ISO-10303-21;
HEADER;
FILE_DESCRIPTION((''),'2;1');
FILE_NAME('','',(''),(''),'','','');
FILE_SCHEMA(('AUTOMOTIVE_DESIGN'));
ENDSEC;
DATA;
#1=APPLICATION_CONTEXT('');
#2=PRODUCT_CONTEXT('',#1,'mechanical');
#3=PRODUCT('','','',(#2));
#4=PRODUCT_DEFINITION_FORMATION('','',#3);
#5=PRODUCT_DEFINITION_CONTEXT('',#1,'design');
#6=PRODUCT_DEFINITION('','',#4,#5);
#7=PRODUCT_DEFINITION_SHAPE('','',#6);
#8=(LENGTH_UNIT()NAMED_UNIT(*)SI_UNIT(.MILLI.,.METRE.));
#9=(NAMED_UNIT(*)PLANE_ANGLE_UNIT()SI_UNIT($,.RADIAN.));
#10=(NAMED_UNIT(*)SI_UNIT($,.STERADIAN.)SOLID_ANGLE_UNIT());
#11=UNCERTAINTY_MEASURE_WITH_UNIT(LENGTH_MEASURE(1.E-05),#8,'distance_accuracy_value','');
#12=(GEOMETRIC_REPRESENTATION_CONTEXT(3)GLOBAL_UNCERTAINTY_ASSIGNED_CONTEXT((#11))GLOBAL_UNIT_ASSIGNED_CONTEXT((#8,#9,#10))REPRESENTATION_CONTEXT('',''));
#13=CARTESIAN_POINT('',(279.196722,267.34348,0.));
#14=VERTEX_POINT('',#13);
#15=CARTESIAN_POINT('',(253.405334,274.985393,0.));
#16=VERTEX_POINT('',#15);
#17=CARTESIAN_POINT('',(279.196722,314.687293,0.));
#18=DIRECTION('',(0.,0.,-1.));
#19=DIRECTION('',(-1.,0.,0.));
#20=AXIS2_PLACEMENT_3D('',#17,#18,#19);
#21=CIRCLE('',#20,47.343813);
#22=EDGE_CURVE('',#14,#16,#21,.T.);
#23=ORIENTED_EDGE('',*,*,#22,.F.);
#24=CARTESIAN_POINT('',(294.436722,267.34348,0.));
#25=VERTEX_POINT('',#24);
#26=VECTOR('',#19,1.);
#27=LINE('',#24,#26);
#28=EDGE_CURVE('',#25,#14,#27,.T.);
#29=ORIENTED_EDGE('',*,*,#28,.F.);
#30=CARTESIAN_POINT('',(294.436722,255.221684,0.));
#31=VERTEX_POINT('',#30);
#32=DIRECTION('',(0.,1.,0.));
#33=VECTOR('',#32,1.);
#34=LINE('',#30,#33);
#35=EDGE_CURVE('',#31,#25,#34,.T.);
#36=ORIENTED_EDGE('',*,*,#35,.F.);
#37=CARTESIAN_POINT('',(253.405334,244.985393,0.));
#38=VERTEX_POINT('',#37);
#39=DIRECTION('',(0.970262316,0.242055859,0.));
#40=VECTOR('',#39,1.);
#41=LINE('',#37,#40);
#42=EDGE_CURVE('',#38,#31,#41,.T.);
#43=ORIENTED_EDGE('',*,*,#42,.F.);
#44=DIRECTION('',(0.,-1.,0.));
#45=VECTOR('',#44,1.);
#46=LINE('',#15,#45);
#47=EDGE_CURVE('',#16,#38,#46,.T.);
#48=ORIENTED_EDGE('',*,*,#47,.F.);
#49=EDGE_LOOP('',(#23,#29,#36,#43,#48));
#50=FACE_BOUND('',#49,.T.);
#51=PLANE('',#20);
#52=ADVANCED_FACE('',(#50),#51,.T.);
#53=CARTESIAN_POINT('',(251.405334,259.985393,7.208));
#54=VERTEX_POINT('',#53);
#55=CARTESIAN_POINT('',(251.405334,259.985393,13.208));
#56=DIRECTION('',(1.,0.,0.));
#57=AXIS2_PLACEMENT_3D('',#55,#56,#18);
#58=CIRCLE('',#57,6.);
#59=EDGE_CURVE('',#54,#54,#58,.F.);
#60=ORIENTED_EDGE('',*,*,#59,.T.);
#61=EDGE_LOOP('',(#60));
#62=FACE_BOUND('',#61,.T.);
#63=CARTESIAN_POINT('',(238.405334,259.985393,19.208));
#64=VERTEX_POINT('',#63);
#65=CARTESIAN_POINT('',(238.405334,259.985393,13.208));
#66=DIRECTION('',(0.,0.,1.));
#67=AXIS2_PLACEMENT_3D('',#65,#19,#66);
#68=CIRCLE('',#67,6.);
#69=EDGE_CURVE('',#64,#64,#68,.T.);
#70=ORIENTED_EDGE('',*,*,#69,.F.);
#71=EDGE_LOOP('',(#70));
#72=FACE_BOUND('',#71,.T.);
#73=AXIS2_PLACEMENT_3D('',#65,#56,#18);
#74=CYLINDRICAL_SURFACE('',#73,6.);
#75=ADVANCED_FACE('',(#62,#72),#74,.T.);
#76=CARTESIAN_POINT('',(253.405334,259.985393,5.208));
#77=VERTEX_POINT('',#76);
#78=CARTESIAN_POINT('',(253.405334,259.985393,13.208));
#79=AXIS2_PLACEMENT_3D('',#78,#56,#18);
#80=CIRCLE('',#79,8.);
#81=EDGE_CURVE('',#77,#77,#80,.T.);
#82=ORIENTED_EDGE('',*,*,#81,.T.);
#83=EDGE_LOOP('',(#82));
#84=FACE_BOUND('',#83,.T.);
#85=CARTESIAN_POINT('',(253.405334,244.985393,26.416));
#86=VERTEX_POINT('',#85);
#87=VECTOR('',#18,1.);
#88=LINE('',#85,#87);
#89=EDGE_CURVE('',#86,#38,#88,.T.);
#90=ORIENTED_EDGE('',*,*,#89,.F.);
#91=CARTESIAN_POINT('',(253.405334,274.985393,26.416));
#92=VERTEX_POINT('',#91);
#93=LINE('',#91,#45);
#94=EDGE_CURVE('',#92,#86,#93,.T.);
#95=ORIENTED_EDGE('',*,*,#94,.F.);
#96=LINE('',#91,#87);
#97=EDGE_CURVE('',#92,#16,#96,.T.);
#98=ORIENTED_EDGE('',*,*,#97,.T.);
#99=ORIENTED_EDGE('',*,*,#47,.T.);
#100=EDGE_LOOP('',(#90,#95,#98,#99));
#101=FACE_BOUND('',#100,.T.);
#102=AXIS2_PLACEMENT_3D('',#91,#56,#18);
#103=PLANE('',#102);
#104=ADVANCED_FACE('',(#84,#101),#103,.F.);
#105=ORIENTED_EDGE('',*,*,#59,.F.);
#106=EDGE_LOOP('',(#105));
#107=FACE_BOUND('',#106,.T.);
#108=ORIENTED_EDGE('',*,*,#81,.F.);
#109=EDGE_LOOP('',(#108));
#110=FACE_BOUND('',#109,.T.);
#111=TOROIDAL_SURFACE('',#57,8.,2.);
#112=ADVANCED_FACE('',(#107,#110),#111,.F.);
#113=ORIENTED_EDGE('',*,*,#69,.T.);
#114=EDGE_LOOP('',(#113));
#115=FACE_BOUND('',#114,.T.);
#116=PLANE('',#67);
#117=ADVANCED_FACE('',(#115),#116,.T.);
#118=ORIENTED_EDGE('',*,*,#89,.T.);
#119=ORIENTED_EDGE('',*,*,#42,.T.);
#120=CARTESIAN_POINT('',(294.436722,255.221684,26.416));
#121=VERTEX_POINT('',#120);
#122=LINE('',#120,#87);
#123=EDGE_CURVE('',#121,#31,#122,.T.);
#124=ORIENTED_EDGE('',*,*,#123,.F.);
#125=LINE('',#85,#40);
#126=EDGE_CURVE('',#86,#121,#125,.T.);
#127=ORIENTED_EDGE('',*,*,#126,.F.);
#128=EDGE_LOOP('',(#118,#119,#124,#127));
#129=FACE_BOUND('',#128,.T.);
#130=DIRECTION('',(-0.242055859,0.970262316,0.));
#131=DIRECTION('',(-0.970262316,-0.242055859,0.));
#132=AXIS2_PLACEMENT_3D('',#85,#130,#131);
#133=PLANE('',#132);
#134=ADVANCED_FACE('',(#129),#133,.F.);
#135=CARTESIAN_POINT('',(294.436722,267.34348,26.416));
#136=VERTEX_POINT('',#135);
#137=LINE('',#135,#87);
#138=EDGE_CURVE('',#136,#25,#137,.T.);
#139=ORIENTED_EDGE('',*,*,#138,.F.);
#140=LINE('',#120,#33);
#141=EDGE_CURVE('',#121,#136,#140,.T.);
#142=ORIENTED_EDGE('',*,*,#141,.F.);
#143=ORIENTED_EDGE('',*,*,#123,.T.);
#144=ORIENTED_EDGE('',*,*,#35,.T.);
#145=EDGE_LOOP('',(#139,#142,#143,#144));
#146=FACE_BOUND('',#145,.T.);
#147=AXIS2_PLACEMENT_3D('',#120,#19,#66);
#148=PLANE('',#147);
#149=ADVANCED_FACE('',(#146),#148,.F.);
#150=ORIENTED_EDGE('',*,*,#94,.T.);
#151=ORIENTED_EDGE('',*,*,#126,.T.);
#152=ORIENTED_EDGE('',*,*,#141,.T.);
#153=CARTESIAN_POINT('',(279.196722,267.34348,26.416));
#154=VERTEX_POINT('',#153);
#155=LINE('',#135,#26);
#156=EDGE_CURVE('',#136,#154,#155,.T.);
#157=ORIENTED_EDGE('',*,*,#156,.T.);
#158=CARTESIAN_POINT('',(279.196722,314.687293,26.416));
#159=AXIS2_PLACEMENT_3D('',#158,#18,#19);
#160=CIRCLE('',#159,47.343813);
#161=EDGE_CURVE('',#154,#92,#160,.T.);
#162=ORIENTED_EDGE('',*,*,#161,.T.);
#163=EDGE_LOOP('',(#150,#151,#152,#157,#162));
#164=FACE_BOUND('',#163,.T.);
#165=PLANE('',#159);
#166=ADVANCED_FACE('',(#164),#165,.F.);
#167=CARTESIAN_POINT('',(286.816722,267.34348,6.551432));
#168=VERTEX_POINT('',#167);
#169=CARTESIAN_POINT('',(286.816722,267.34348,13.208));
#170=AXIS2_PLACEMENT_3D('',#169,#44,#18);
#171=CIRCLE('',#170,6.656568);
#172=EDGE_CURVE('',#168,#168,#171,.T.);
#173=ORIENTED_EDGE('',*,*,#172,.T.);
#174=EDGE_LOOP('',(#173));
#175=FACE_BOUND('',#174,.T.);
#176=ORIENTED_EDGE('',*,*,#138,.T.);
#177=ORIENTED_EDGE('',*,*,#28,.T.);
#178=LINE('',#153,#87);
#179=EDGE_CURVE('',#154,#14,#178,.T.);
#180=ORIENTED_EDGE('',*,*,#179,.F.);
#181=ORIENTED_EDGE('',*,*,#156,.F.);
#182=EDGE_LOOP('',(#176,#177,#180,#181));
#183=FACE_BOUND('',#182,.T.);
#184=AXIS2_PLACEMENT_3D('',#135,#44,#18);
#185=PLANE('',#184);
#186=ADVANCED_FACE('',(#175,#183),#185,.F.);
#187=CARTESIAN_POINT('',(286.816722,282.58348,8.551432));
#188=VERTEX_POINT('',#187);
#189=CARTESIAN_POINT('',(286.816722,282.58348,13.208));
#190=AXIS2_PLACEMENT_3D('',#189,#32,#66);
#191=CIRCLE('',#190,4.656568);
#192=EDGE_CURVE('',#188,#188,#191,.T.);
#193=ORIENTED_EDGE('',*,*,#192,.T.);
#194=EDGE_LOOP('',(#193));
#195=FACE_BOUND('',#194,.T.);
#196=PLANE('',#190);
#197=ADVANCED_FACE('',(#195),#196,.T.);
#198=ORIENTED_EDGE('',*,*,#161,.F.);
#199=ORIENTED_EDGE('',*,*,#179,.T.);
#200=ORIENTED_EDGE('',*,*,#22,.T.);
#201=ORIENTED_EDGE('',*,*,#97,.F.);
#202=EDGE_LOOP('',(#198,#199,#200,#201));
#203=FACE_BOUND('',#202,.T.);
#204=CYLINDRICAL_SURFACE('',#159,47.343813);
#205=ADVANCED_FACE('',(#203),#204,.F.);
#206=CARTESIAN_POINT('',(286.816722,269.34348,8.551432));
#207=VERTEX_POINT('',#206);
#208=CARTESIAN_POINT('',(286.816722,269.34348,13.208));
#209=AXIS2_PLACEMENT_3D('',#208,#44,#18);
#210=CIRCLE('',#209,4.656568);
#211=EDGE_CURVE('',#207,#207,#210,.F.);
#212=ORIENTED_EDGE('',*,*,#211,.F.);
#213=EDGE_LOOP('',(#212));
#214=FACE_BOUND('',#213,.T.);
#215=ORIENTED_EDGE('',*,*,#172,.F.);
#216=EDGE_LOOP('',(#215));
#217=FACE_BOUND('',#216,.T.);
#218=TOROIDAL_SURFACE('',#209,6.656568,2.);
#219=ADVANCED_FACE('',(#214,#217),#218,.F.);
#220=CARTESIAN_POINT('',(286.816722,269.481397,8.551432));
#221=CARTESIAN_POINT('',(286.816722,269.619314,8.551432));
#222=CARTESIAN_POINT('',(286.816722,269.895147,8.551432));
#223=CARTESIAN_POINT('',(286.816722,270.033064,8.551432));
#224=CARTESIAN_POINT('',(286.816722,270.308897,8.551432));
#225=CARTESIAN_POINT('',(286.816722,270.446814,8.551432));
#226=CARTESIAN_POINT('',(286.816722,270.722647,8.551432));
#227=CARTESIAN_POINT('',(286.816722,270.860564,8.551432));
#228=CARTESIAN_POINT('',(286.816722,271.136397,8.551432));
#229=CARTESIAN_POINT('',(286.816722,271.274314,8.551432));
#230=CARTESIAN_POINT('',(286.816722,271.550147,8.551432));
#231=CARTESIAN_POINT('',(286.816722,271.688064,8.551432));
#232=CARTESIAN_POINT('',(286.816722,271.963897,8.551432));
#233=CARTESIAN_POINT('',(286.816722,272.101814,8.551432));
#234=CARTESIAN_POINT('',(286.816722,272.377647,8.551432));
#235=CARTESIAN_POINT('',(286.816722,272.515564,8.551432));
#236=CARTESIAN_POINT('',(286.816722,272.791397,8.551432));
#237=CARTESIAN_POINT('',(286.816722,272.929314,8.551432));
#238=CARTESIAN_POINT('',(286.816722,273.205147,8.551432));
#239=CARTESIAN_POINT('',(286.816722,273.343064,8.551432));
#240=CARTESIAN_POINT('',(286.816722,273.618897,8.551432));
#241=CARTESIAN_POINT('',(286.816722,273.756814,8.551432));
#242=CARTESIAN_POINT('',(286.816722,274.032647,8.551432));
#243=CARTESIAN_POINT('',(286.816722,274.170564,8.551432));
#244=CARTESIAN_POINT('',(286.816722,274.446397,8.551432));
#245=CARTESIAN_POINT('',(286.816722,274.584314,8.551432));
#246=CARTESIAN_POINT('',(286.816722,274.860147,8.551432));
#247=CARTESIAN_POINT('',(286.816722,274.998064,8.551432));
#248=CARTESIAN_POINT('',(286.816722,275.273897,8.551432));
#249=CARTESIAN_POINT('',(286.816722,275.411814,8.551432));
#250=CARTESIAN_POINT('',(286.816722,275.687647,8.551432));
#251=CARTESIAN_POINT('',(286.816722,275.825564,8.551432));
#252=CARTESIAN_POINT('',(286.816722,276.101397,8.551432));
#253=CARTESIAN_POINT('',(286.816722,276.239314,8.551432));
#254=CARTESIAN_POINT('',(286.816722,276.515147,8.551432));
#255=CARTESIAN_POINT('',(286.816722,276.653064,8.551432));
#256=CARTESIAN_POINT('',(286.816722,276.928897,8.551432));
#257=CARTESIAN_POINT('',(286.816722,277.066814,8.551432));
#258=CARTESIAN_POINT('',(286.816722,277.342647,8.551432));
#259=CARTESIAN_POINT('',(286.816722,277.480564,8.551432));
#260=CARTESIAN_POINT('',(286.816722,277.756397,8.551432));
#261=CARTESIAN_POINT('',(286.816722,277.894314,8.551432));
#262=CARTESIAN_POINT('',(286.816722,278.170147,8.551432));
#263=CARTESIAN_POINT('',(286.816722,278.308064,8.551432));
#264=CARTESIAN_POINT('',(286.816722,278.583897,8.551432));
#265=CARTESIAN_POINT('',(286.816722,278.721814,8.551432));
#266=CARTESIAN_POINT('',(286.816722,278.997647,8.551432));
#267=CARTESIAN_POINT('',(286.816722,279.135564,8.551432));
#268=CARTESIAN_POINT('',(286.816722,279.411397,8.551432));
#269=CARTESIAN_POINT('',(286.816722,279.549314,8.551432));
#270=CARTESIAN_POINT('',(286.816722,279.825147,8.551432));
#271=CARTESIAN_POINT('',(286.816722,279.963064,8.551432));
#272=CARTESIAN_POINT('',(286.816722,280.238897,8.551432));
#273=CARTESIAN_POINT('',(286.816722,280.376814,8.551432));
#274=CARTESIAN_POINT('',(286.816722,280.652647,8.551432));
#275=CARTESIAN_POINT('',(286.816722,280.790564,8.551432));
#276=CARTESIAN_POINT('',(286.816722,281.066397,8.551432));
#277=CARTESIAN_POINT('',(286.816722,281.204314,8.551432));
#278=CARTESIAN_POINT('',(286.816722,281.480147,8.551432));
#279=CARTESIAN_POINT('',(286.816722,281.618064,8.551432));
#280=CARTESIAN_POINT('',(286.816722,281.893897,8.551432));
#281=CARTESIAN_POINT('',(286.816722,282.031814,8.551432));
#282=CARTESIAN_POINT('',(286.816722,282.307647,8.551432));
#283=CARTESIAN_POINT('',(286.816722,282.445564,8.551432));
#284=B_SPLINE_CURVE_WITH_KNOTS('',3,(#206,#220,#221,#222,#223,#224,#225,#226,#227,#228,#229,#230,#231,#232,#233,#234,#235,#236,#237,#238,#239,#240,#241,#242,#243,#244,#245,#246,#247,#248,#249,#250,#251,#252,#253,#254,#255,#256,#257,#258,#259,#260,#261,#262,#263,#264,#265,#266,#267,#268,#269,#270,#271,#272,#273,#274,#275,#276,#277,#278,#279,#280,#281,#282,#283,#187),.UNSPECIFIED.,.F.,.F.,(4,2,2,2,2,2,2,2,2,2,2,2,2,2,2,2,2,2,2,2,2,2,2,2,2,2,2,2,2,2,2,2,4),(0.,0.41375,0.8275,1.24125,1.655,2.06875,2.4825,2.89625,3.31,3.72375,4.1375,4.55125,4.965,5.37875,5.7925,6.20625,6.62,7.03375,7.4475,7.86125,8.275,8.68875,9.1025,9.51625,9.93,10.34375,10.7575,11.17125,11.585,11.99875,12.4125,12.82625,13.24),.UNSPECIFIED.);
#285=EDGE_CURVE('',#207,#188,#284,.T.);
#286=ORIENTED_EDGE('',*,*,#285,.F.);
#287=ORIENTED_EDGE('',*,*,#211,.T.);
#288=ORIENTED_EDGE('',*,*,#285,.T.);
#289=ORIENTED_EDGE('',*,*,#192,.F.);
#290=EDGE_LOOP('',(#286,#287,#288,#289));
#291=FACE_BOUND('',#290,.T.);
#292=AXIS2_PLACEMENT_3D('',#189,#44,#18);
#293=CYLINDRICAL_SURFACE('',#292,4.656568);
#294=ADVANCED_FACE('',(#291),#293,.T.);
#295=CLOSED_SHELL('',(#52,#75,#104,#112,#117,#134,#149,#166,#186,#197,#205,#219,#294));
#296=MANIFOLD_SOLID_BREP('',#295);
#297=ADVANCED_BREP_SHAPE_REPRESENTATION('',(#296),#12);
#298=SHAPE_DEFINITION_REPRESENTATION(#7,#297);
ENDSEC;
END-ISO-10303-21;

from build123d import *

# Parameters (mm, degrees)
BOSS_EXTRUDE1_DEPTH = 26.416
SKETCH5_R           = 4.656567863
BOSS_EXTRUDE2_DEPTH = 15.24
SKETCH6_R           = 6
BOSS_EXTRUDE3_DEPTH = 15
FILLET1_R           = 2
FILLET2_R           = 2


with BuildPart() as part:
    # Sketch4 → Boss-Extrude1 (new body)
    with BuildSketch(Plane.XY):
        with BuildLine():
            Line((253.405334172, 274.985392586), (253.405334172, 244.985392586))
            Line((253.405334172, 244.985392586), (294.436722218, 255.22168408))
            Line((294.436722218, 255.22168408), (294.436722218, 267.343480441))
            Line((294.436722218, 267.343480441), (279.196722218, 267.343480441))
            ThreePointArc((279.196722218, 267.343480441), (265.746866098, 269.294144182), (253.405334172, 274.985392586))
        make_face()
    extrude(amount=BOSS_EXTRUDE1_DEPTH)

    # Sketch5 → Boss-Extrude2 (add)
    with BuildSketch(Plane(origin=(0, 267.343480441, 0), x_dir=(1, 0, 0), z_dir=(0, 1, 0))):
        with Locations(Location((286.816722218, -13.208, 0), (0, 0, 90))):
            Circle(SKETCH5_R)
    extrude(amount=BOSS_EXTRUDE2_DEPTH)

    # Sketch6 → Boss-Extrude3 (add)
    with BuildSketch(Plane.ZY.offset(-253.405334172)):
        with Locations((13.208, 259.985392586)):
            Circle(SKETCH6_R)
    extrude(amount=BOSS_EXTRUDE3_DEPTH)

    # Fillet1
    fillet1_edges = [part.edges().sort_by_distance(p)[0] for p in [
        (253.405334172, 259.985392586, 7.208),
    ]]
    fillet(fillet1_edges, radius=FILLET1_R)

    # Fillet2
    fillet2_edges = [part.edges().sort_by_distance(p)[0] for p in [
        (286.816722218, 267.343480441, 17.864567863),
    ]]
    fillet(fillet2_edges, radius=FILLET2_R)


solid = part.part
